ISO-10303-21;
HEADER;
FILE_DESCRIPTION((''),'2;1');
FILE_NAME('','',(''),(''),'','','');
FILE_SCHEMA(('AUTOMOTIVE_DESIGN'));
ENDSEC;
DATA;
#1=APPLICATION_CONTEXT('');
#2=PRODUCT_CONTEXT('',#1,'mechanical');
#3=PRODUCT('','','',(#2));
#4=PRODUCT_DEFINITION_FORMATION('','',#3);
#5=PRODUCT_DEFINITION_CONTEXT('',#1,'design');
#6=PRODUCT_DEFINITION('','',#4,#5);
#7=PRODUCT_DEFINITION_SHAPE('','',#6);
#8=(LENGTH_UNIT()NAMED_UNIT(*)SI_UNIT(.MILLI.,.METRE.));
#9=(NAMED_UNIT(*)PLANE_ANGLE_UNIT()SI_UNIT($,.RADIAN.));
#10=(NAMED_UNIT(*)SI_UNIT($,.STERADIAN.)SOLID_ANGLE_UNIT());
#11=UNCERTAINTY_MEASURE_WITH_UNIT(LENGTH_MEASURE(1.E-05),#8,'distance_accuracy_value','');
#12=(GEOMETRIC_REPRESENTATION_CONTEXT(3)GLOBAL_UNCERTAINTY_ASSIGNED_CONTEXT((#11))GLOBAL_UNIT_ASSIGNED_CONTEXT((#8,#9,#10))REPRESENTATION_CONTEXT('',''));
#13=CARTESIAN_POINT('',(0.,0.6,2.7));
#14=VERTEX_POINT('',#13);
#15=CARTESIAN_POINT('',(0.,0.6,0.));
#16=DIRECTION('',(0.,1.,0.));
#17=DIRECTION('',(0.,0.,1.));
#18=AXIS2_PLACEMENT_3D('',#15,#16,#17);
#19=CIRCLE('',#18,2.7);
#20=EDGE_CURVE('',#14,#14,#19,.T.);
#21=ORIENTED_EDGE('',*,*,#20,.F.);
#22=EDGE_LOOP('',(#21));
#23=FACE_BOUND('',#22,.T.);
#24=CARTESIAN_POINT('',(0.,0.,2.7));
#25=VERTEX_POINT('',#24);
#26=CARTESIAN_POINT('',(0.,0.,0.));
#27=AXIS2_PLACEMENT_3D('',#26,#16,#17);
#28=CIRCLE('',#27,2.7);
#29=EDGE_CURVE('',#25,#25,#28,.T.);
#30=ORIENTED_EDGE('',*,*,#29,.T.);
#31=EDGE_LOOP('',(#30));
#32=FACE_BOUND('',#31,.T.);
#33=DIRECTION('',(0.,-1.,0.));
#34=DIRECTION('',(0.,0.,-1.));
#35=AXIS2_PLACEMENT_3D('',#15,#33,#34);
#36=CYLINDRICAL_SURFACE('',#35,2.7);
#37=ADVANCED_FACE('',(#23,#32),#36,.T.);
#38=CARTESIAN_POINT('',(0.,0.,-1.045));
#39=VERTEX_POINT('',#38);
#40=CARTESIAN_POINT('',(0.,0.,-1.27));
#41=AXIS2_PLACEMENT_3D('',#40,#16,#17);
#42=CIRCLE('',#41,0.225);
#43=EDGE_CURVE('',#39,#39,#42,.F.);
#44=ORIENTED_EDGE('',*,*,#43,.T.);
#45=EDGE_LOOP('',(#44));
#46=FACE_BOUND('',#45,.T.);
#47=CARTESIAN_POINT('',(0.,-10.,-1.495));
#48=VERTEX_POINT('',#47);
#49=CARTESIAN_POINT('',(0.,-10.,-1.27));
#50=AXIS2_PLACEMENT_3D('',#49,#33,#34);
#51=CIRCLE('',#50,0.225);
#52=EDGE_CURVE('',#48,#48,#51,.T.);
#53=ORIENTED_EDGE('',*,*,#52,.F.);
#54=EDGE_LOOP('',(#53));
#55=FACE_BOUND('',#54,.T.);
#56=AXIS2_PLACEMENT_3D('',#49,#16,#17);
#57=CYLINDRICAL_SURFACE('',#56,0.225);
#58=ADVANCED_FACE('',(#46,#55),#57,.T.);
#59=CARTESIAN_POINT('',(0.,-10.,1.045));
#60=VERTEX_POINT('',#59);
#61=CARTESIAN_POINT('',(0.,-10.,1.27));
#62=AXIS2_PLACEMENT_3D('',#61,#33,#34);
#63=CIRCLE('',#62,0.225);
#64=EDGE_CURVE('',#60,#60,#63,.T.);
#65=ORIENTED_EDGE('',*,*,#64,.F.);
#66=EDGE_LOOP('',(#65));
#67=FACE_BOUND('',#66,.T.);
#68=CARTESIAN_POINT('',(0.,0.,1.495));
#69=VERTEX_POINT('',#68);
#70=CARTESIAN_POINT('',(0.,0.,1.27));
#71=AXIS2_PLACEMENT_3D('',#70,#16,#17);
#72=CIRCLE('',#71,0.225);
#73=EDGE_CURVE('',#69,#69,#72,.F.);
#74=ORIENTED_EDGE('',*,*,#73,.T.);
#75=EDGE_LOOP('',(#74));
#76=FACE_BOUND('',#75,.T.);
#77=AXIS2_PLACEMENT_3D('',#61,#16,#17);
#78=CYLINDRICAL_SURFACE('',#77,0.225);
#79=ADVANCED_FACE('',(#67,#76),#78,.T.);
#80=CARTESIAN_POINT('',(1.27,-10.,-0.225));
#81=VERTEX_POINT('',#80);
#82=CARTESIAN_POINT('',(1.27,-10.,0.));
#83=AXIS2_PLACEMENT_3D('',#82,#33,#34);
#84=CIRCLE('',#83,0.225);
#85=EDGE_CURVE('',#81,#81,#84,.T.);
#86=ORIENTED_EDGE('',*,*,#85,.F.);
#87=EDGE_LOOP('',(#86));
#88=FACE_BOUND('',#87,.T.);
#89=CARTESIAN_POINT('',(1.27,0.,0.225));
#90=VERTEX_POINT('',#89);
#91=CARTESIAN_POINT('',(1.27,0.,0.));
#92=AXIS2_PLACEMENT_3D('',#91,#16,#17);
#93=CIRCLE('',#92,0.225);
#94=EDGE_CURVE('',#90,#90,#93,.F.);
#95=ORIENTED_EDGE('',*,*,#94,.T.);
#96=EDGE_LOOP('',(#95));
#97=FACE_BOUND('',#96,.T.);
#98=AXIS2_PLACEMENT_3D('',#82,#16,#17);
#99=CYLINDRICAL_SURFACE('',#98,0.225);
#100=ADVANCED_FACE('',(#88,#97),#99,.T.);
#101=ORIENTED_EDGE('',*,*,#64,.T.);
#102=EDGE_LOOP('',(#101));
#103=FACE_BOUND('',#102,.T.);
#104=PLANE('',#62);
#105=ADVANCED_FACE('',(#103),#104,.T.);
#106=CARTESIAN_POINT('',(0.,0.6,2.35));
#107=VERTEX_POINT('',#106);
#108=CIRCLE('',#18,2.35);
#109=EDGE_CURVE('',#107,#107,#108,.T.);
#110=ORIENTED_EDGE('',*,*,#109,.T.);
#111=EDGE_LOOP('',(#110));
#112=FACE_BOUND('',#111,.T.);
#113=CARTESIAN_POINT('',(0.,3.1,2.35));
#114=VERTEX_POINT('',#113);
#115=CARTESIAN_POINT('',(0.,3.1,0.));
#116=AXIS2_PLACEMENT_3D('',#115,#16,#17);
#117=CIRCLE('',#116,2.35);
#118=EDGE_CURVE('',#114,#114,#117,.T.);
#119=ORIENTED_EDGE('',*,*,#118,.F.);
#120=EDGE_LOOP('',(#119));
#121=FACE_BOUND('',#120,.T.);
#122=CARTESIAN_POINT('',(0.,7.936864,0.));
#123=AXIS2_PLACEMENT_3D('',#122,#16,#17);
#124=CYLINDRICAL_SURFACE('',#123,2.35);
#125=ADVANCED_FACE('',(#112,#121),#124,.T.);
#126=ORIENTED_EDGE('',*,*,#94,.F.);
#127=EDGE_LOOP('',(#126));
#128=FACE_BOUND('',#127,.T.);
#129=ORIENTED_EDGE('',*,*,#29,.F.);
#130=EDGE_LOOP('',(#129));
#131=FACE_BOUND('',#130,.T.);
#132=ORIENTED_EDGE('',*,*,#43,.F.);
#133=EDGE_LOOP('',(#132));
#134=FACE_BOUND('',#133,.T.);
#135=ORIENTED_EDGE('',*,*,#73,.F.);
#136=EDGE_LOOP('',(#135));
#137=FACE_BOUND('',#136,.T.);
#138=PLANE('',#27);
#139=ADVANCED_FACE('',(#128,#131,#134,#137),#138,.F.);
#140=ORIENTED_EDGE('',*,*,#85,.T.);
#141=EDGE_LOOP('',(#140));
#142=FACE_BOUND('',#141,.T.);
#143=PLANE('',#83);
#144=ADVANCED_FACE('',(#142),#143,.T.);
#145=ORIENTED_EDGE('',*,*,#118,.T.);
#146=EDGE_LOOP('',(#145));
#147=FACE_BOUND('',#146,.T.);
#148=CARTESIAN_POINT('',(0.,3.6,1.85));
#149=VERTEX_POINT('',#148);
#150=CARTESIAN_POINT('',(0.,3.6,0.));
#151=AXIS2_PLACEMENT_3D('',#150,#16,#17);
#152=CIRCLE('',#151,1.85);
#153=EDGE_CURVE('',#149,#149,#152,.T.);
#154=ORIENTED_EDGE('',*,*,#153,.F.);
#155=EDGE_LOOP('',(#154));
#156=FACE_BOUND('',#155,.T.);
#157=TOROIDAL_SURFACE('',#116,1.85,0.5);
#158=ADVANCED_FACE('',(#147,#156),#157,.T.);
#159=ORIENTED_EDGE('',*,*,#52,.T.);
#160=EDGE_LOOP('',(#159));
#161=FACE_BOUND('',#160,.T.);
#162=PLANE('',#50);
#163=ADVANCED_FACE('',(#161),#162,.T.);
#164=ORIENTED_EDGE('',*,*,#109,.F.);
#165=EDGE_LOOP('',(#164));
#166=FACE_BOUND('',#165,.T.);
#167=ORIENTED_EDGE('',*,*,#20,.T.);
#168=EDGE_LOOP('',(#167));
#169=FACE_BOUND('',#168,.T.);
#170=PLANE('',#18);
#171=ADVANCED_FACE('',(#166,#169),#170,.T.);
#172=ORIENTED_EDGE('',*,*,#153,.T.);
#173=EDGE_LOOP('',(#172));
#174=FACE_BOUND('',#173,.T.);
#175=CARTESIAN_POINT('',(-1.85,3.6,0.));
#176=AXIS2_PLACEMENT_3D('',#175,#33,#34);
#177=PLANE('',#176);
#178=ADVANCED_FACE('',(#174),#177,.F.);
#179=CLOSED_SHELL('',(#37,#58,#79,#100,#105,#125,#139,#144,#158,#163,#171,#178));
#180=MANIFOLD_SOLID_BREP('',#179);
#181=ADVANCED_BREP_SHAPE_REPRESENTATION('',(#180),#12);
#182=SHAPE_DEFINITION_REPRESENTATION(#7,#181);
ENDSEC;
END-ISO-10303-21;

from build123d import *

# Parameters (mm, degrees)
SKETCH_1_R      = 2.7
EXTRUDE_1_DEPTH = 0.6
SKETCH_5_R      = 0.225
EXTRUDE_2_DEPTH = 10


with BuildPart() as part:
    # Эскиз1 → Бобышка-Вытянуть1 (new body)
    with BuildSketch(Plane(origin=(0, 0, 0), x_dir=(1, 0, 0), z_dir=(0, 1, 0))):
        with Locations(Location((0, 0, 0), (0, 0, 270))):
            Circle(SKETCH_1_R)
    extrude(amount=EXTRUDE_1_DEPTH)

    # Sketch 1 2 → Повернуть1 (revolve)
    with BuildSketch(Plane(origin=(0, 0.6, 0), x_dir=(-0.5248887029964605, 0.85117086972399, 0), z_dir=(0, 0, 1)), mode=Mode.PRIVATE) as revolve_1_sk:
        with BuildLine():
            Line((0, 0), (1.233488452, 2.000251544))
            Line((1.233488452, 2.000251544), (3.361415626, 0.688029786))
            ThreePointArc((3.361415626, 0.688029786), (3.585481802, 0.377802518), (3.52455671, 0))
            Line((3.52455671, 0), (2.553512609, -1.574666109))
            Line((2.553512609, -1.574666109), (0, 0))
        make_face()
    revolve(revolve_1_sk.sketch.rotate(Axis((0, 7.936864243, 0), (0, -1, 0)), 270), axis=Axis((0, 7.936864243, 0), (0, -1, 0)))

    # Эскиз5 → Бобышка-Вытянуть2 (add)
    with BuildSketch(Plane.XZ):
        with Locations(Location((1.27, 0, 0), (0, 0, 90))):
            Circle(SKETCH_5_R)
        with Locations(Location((0, 1.27, 0), (0, 0, 90))):
            Circle(SKETCH_5_R)
        with Locations(Location((0, -1.27, 0), (0, 0, 90))):
            Circle(SKETCH_5_R)
    extrude(amount=EXTRUDE_2_DEPTH)


solid = part.part
